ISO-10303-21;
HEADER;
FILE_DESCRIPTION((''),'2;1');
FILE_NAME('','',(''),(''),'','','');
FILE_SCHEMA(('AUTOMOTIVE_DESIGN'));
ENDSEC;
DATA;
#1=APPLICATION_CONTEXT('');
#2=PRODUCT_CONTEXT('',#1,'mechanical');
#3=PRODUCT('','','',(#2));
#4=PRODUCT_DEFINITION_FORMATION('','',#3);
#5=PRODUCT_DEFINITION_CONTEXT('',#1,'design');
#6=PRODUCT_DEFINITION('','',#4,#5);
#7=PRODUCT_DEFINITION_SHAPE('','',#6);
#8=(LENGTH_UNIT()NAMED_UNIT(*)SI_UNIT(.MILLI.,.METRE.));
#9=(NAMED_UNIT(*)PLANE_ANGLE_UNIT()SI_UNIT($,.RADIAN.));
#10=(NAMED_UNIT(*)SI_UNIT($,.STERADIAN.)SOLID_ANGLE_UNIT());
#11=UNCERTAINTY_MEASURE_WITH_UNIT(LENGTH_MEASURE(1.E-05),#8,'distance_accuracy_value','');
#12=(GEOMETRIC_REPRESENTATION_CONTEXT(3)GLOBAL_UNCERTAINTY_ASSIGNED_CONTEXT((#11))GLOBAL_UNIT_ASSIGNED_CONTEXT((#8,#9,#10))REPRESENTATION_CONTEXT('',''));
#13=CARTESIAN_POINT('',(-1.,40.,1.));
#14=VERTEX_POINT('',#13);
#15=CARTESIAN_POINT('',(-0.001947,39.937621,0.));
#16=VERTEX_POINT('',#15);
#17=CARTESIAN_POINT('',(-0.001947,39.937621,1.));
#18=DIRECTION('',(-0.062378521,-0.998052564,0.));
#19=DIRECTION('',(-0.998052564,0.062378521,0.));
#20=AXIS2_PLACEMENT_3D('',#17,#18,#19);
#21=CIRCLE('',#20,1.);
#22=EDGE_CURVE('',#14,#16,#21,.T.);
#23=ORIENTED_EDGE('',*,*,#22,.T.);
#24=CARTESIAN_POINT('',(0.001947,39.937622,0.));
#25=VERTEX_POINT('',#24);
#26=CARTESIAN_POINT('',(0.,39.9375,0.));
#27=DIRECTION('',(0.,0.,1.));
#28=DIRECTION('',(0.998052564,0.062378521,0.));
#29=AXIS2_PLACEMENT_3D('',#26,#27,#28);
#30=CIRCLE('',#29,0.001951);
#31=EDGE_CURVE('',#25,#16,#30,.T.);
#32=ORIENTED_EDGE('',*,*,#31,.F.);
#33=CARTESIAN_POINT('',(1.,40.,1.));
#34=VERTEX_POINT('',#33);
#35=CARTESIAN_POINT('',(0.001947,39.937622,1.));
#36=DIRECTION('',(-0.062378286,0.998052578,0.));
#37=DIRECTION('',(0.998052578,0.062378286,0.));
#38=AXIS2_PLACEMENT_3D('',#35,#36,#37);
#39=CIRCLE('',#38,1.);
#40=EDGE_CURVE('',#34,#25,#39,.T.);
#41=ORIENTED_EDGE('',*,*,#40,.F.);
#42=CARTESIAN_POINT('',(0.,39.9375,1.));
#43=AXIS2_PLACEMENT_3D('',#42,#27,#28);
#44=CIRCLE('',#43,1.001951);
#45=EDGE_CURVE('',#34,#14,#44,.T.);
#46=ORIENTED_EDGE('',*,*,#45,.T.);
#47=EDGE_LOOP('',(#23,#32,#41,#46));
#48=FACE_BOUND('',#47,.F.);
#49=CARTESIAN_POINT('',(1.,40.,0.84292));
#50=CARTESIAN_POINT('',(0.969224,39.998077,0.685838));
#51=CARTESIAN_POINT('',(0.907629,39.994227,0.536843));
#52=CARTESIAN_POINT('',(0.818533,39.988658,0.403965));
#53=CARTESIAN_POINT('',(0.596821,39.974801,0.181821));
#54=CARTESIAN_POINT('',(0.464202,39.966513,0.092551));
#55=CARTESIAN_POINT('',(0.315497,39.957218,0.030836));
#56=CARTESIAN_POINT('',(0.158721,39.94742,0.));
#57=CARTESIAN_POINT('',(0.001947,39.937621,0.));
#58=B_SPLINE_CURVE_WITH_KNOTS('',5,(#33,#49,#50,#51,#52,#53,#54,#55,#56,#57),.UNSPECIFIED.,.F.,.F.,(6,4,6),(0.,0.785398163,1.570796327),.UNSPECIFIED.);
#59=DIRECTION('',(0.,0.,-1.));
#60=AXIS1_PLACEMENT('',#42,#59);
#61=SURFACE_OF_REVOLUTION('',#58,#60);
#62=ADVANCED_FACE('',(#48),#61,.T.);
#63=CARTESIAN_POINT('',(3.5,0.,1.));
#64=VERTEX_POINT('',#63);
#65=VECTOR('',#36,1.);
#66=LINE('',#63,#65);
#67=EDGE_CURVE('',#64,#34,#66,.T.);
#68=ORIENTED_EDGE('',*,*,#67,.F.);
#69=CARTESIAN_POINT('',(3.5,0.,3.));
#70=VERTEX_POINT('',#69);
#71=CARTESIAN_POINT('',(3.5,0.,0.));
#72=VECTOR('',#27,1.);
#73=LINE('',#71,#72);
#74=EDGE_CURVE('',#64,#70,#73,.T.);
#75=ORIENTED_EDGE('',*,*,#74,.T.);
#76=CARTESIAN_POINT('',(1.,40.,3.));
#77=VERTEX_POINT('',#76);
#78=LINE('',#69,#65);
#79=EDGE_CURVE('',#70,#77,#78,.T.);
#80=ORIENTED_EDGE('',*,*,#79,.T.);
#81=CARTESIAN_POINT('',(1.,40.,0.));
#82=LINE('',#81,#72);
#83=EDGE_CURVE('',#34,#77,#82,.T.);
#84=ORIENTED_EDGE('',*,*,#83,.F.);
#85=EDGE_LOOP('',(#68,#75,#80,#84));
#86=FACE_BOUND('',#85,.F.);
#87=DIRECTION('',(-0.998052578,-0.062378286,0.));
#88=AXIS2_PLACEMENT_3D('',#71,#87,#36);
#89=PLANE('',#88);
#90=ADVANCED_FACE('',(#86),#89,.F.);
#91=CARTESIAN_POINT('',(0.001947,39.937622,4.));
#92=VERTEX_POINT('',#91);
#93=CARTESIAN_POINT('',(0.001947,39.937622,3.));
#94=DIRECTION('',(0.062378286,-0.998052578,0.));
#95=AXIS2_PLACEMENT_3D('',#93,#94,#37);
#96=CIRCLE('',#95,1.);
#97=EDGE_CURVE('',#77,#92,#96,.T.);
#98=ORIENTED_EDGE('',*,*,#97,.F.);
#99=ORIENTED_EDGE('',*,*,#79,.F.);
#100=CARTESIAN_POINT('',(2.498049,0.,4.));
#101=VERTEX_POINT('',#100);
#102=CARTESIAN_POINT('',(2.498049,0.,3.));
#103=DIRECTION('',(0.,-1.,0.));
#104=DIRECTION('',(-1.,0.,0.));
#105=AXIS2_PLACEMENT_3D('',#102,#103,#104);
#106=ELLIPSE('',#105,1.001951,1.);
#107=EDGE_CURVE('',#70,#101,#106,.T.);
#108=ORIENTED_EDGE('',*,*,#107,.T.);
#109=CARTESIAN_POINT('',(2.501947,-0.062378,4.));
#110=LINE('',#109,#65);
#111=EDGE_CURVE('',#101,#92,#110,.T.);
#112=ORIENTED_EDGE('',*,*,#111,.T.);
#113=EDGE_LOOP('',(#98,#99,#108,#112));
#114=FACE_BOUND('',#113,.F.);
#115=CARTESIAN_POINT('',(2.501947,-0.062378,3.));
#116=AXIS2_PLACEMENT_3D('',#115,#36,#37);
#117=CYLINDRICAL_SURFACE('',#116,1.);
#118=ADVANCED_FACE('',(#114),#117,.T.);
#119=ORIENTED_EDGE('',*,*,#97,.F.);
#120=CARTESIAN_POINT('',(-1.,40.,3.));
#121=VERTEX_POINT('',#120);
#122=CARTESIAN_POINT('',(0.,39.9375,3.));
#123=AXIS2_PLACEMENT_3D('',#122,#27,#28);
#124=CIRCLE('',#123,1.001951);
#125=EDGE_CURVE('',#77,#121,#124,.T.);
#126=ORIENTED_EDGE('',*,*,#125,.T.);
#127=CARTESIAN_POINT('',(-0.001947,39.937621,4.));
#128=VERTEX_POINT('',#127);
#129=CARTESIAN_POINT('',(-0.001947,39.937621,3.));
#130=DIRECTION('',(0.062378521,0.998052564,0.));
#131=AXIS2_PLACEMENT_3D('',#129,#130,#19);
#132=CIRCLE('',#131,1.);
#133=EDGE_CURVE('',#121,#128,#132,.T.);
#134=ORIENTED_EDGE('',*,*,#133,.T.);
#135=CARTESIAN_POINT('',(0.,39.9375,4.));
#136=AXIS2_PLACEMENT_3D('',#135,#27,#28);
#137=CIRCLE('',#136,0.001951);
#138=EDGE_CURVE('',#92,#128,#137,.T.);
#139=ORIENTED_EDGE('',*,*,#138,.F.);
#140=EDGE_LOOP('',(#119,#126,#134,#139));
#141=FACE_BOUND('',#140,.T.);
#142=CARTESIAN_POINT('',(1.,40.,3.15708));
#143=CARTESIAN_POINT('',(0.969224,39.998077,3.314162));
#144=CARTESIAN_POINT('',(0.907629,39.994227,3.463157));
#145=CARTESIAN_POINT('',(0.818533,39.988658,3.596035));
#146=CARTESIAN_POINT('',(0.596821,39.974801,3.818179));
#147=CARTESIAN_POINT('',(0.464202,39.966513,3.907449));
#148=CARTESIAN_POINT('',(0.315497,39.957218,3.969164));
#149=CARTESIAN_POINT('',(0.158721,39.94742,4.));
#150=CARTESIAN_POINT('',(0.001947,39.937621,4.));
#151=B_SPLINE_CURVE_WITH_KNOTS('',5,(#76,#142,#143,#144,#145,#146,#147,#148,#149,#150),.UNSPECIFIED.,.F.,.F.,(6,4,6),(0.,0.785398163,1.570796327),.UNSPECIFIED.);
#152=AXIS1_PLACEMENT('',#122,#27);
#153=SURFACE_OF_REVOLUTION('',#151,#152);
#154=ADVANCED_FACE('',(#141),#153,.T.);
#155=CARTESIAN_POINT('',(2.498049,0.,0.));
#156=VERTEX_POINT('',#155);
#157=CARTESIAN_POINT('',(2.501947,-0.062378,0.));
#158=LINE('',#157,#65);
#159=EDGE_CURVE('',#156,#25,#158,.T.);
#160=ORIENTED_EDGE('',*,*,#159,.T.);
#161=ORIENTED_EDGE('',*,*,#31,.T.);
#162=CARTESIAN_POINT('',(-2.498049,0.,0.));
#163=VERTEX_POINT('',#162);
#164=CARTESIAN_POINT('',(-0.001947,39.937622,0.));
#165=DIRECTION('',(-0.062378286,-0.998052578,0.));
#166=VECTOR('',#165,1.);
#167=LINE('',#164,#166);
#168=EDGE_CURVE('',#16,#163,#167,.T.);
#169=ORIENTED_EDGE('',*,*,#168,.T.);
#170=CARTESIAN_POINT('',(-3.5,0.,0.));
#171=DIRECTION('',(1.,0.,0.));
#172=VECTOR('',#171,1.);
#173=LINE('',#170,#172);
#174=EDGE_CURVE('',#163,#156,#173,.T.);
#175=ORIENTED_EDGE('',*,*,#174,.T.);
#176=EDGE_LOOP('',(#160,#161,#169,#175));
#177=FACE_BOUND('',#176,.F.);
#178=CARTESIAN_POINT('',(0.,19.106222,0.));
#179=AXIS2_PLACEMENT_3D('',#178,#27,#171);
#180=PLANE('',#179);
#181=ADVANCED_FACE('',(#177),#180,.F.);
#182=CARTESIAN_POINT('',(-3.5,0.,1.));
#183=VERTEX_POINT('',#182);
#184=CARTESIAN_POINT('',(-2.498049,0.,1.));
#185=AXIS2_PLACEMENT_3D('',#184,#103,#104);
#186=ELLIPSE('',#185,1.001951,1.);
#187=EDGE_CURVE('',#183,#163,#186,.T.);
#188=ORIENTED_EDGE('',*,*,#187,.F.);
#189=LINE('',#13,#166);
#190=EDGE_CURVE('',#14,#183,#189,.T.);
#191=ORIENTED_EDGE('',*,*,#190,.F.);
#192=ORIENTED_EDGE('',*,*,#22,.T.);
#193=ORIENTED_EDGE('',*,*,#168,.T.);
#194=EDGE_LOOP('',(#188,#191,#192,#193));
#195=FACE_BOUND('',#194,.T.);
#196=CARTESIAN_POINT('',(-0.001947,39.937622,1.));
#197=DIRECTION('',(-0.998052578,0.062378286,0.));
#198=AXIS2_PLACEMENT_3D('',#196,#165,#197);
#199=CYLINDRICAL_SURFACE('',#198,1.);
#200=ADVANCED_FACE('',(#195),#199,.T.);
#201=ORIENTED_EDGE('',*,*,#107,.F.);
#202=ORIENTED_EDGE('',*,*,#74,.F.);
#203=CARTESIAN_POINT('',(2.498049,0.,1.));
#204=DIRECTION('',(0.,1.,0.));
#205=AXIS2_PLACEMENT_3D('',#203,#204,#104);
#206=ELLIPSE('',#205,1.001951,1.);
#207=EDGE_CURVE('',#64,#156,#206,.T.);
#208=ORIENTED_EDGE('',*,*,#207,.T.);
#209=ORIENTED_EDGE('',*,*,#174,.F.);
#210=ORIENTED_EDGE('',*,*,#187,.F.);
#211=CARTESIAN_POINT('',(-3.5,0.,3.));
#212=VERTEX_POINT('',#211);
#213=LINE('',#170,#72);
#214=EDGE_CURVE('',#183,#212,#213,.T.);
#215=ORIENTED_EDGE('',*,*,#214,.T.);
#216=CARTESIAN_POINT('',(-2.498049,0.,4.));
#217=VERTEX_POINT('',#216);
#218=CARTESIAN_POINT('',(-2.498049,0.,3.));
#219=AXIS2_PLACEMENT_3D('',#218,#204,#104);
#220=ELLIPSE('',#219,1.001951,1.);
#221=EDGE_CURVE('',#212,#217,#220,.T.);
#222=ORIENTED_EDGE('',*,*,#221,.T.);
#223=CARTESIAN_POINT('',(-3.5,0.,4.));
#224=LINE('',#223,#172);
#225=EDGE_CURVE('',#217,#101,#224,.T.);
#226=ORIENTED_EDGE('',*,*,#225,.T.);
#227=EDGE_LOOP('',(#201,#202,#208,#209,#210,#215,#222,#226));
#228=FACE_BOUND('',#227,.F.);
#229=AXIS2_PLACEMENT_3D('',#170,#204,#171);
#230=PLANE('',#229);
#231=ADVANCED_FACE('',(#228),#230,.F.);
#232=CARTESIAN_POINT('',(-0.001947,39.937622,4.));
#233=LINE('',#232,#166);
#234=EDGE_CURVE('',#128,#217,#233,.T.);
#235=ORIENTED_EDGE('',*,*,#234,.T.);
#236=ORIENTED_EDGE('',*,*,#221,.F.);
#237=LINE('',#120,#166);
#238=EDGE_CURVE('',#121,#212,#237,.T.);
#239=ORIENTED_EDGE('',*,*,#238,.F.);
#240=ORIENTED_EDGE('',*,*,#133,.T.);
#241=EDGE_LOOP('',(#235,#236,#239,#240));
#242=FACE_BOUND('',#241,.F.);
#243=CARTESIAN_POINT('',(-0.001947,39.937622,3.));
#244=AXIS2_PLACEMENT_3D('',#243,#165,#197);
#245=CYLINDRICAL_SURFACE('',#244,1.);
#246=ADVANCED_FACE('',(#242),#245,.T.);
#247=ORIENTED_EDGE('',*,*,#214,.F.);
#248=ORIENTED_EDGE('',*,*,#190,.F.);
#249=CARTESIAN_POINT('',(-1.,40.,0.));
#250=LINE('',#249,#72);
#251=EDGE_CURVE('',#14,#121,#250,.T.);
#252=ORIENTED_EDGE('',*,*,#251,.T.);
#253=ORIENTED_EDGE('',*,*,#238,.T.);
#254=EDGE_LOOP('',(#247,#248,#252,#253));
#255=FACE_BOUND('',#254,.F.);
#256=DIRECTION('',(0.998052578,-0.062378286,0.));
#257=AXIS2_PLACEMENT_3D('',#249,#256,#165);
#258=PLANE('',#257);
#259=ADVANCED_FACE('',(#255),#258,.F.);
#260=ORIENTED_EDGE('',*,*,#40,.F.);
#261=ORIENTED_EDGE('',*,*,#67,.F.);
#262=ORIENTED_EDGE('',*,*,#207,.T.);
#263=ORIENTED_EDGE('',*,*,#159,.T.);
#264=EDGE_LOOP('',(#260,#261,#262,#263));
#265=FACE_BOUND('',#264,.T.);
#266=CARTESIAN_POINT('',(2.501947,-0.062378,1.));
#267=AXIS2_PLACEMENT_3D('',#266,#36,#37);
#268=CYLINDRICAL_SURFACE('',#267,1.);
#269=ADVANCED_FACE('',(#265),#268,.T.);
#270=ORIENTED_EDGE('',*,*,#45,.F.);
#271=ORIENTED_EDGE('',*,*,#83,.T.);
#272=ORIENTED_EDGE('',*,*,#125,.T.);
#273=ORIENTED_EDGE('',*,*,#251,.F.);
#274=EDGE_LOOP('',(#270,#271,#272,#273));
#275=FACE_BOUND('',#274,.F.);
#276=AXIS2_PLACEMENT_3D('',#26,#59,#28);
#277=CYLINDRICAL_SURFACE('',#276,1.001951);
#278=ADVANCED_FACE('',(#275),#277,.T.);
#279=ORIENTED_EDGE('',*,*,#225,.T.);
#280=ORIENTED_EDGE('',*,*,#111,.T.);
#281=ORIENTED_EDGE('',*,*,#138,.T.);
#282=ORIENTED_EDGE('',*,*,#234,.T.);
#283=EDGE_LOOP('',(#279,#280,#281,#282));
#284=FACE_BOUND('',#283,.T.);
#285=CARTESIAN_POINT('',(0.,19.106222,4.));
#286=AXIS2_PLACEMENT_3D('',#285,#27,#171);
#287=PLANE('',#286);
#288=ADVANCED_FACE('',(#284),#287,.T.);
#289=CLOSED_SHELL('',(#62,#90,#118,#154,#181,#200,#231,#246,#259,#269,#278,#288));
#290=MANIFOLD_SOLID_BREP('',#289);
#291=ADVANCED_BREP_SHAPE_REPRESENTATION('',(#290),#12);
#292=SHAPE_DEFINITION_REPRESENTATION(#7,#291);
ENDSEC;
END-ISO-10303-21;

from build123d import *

# Parameters (mm, degrees)
F1_DEPTH = 4
F2_R     = 1


with BuildPart() as f1:
    # F0 (on Top) → F1 (new body)
    with BuildSketch(Plane.XY):
        with BuildLine():
            Line((-1, 40), (-3.5, 0))
            Line((-3.5, 0), (3.5, 0))
            Line((3.5, 0), (1, 40))
            ThreePointArc((1, 40), (0, 40.939451), (-1, 40))
        make_face()
    extrude(amount=F1_DEPTH)

    # F2
    f2_edges = [f1.edges().sort_by_distance(p)[0] for p in [
        (-2.25, 20, 4),
        (-2.25, 20, 0),
        (2.25, 20, 4),
        (2.25, 20, 0),
    ]]
    fillet(f2_edges, radius=F2_R)


solid = f1.part
